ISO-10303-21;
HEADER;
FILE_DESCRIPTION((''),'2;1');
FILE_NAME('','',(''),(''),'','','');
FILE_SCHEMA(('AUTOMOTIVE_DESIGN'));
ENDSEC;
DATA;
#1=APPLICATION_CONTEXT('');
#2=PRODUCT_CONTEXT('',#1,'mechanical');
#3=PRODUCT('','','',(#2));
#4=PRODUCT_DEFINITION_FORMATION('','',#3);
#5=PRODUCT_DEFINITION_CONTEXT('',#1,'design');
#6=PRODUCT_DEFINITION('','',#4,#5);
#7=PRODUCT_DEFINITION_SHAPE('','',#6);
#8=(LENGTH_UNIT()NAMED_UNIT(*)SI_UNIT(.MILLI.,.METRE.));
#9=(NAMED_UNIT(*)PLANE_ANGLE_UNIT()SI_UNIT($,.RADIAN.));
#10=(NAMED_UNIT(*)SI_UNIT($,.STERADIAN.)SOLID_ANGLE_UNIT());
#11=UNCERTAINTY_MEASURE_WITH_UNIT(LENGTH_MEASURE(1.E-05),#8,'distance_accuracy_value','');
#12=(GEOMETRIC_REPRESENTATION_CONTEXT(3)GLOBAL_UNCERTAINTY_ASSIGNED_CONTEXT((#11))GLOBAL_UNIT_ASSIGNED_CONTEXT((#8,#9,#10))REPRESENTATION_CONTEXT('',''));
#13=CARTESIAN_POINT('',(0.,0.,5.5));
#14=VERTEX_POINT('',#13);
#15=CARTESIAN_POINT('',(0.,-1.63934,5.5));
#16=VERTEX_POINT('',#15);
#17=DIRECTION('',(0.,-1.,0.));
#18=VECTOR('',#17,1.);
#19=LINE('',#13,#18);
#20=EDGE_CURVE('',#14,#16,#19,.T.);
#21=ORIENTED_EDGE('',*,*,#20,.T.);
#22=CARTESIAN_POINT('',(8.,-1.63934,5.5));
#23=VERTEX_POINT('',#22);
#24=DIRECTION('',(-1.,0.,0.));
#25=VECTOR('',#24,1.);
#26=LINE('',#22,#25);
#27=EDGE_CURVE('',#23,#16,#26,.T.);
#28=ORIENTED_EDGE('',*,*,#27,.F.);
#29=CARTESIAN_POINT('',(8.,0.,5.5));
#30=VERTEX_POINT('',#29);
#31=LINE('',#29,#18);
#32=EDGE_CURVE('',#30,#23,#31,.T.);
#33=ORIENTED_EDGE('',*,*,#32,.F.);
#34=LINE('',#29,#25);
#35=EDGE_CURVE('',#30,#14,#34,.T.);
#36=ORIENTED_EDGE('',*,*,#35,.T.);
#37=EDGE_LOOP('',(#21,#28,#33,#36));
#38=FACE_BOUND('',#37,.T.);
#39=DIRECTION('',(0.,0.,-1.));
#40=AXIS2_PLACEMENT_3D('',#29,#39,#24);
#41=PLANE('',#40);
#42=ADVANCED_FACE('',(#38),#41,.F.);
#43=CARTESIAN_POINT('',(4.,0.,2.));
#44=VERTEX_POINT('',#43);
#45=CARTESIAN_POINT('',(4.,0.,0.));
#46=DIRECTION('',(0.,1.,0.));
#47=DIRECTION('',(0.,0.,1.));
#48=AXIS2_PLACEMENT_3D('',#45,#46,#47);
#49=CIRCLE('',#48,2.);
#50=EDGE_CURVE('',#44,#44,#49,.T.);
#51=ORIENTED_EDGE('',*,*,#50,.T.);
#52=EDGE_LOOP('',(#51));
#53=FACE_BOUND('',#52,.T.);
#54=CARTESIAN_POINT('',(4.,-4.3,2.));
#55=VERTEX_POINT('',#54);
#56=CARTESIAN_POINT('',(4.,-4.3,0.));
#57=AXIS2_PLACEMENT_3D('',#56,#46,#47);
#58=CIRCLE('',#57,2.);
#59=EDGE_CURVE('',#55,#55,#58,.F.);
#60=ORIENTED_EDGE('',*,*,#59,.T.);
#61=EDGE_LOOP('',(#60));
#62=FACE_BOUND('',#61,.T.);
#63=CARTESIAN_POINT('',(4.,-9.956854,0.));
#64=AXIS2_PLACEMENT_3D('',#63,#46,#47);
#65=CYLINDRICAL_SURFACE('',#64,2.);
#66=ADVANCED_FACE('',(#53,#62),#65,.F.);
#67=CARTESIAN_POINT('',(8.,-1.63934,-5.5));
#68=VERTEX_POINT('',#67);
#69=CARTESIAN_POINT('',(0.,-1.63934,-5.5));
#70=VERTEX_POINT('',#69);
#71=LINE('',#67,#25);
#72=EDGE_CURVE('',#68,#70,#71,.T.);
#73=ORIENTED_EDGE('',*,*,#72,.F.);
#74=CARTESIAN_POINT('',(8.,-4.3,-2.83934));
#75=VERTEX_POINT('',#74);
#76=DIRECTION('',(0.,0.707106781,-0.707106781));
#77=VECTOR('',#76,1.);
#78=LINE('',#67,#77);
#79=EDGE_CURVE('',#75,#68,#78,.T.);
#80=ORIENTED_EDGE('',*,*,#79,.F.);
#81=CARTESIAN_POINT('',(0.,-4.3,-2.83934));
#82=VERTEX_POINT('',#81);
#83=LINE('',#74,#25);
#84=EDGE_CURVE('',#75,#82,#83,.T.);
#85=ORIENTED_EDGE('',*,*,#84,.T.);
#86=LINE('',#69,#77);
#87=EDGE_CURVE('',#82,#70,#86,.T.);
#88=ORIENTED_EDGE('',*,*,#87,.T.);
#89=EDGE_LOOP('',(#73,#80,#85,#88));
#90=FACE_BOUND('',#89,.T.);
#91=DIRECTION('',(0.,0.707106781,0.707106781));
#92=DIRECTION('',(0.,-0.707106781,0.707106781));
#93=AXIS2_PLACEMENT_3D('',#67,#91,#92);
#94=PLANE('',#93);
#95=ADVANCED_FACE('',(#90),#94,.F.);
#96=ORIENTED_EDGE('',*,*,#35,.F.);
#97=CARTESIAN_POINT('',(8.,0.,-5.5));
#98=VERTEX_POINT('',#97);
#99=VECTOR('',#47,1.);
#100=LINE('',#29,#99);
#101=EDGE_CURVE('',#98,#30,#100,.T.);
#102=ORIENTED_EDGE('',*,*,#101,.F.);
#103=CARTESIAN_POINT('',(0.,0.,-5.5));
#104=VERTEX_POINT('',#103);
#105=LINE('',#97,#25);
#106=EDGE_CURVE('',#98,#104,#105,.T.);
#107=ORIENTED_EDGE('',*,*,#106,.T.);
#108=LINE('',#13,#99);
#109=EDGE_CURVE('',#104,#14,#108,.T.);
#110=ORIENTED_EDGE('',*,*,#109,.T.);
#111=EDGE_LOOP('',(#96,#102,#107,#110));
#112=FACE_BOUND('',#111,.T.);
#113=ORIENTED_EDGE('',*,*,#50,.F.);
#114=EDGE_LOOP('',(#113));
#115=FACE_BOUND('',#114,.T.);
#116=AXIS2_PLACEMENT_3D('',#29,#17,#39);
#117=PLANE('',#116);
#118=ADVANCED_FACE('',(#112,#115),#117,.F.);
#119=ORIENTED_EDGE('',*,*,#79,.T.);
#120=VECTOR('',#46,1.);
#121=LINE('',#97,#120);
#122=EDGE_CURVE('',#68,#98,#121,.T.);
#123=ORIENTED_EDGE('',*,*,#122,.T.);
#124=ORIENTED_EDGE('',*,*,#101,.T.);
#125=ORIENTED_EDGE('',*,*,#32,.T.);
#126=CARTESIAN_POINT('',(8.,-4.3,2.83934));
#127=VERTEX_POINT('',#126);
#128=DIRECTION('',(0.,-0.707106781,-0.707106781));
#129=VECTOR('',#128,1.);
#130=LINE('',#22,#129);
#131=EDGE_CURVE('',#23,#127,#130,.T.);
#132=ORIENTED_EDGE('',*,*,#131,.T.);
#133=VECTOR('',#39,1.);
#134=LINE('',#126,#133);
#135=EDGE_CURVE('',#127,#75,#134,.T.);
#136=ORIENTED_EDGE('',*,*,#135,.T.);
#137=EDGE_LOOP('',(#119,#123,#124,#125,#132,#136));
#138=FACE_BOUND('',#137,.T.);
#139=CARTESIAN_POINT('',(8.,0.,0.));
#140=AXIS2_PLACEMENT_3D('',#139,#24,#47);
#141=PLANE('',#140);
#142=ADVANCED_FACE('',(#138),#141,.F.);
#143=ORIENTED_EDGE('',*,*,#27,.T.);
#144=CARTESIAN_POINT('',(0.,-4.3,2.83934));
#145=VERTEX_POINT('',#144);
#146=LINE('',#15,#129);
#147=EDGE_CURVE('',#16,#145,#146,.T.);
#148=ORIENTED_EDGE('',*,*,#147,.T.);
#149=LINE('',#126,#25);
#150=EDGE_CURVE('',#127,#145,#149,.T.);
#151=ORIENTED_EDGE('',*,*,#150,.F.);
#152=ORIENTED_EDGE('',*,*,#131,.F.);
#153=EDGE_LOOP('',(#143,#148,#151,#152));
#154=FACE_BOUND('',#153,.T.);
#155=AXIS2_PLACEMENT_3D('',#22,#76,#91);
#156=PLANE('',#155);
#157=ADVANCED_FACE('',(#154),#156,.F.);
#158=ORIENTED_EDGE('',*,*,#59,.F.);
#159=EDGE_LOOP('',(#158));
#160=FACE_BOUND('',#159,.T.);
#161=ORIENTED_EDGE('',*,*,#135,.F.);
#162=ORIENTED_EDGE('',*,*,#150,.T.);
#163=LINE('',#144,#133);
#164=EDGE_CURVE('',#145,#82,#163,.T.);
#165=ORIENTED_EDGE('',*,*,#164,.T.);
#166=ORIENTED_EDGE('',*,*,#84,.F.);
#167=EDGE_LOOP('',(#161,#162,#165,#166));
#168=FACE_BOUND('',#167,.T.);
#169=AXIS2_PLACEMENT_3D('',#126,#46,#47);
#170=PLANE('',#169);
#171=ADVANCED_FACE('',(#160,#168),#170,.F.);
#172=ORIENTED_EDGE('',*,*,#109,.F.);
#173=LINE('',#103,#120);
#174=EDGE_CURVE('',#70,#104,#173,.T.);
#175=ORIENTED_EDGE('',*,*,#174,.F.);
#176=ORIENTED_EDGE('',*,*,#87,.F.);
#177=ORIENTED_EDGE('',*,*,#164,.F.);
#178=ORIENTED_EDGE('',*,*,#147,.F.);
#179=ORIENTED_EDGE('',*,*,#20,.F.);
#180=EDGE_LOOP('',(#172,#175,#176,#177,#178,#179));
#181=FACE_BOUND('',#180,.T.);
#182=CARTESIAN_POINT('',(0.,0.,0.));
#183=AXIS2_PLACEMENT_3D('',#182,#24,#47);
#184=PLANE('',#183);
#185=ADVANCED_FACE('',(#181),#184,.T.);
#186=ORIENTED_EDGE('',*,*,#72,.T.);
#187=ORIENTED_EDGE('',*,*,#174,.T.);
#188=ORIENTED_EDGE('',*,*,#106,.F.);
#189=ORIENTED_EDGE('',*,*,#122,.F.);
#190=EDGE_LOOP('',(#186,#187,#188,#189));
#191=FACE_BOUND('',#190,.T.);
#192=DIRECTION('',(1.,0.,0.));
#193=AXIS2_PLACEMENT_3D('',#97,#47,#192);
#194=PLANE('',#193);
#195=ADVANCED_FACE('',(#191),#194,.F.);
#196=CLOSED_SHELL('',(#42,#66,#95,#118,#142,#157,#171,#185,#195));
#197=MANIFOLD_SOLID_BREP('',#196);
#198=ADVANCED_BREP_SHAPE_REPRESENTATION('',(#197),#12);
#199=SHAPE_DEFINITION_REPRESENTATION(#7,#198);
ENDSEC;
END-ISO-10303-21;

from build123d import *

# Parameters (mm, degrees)
BOSS_EXTRUDE1_DEPTH = 8
SKETCH7_R           = 2
CUT_EXTRUDE1_DEPTH  = 4.3


with BuildPart() as part:
    # Sketch1 → Boss-Extrude1 (new body)
    with BuildSketch(Plane(origin=(0, 0, 0), x_dir=(0, 0, -1), z_dir=(1, 0, 0))):
        Polygon((-2.839339828, -4.3), (2.839339828, -4.3), (5.5, -1.639339828), (5.5, 0), (-5.5, 0), (-5.5, -1.639339828), align=None)
    extrude(amount=BOSS_EXTRUDE1_DEPTH)

    # Sketch7 → Cut-Extrude1 (cut)
    with BuildSketch(Plane(origin=(0, 0, 0), x_dir=(1, 0, 0), z_dir=(0, 1, 0))):
        with Locations(Location((4, 0, 0), (0, 0, 270))):
            Circle(SKETCH7_R)
    extrude(amount=-CUT_EXTRUDE1_DEPTH, mode=Mode.SUBTRACT)


solid = part.part
